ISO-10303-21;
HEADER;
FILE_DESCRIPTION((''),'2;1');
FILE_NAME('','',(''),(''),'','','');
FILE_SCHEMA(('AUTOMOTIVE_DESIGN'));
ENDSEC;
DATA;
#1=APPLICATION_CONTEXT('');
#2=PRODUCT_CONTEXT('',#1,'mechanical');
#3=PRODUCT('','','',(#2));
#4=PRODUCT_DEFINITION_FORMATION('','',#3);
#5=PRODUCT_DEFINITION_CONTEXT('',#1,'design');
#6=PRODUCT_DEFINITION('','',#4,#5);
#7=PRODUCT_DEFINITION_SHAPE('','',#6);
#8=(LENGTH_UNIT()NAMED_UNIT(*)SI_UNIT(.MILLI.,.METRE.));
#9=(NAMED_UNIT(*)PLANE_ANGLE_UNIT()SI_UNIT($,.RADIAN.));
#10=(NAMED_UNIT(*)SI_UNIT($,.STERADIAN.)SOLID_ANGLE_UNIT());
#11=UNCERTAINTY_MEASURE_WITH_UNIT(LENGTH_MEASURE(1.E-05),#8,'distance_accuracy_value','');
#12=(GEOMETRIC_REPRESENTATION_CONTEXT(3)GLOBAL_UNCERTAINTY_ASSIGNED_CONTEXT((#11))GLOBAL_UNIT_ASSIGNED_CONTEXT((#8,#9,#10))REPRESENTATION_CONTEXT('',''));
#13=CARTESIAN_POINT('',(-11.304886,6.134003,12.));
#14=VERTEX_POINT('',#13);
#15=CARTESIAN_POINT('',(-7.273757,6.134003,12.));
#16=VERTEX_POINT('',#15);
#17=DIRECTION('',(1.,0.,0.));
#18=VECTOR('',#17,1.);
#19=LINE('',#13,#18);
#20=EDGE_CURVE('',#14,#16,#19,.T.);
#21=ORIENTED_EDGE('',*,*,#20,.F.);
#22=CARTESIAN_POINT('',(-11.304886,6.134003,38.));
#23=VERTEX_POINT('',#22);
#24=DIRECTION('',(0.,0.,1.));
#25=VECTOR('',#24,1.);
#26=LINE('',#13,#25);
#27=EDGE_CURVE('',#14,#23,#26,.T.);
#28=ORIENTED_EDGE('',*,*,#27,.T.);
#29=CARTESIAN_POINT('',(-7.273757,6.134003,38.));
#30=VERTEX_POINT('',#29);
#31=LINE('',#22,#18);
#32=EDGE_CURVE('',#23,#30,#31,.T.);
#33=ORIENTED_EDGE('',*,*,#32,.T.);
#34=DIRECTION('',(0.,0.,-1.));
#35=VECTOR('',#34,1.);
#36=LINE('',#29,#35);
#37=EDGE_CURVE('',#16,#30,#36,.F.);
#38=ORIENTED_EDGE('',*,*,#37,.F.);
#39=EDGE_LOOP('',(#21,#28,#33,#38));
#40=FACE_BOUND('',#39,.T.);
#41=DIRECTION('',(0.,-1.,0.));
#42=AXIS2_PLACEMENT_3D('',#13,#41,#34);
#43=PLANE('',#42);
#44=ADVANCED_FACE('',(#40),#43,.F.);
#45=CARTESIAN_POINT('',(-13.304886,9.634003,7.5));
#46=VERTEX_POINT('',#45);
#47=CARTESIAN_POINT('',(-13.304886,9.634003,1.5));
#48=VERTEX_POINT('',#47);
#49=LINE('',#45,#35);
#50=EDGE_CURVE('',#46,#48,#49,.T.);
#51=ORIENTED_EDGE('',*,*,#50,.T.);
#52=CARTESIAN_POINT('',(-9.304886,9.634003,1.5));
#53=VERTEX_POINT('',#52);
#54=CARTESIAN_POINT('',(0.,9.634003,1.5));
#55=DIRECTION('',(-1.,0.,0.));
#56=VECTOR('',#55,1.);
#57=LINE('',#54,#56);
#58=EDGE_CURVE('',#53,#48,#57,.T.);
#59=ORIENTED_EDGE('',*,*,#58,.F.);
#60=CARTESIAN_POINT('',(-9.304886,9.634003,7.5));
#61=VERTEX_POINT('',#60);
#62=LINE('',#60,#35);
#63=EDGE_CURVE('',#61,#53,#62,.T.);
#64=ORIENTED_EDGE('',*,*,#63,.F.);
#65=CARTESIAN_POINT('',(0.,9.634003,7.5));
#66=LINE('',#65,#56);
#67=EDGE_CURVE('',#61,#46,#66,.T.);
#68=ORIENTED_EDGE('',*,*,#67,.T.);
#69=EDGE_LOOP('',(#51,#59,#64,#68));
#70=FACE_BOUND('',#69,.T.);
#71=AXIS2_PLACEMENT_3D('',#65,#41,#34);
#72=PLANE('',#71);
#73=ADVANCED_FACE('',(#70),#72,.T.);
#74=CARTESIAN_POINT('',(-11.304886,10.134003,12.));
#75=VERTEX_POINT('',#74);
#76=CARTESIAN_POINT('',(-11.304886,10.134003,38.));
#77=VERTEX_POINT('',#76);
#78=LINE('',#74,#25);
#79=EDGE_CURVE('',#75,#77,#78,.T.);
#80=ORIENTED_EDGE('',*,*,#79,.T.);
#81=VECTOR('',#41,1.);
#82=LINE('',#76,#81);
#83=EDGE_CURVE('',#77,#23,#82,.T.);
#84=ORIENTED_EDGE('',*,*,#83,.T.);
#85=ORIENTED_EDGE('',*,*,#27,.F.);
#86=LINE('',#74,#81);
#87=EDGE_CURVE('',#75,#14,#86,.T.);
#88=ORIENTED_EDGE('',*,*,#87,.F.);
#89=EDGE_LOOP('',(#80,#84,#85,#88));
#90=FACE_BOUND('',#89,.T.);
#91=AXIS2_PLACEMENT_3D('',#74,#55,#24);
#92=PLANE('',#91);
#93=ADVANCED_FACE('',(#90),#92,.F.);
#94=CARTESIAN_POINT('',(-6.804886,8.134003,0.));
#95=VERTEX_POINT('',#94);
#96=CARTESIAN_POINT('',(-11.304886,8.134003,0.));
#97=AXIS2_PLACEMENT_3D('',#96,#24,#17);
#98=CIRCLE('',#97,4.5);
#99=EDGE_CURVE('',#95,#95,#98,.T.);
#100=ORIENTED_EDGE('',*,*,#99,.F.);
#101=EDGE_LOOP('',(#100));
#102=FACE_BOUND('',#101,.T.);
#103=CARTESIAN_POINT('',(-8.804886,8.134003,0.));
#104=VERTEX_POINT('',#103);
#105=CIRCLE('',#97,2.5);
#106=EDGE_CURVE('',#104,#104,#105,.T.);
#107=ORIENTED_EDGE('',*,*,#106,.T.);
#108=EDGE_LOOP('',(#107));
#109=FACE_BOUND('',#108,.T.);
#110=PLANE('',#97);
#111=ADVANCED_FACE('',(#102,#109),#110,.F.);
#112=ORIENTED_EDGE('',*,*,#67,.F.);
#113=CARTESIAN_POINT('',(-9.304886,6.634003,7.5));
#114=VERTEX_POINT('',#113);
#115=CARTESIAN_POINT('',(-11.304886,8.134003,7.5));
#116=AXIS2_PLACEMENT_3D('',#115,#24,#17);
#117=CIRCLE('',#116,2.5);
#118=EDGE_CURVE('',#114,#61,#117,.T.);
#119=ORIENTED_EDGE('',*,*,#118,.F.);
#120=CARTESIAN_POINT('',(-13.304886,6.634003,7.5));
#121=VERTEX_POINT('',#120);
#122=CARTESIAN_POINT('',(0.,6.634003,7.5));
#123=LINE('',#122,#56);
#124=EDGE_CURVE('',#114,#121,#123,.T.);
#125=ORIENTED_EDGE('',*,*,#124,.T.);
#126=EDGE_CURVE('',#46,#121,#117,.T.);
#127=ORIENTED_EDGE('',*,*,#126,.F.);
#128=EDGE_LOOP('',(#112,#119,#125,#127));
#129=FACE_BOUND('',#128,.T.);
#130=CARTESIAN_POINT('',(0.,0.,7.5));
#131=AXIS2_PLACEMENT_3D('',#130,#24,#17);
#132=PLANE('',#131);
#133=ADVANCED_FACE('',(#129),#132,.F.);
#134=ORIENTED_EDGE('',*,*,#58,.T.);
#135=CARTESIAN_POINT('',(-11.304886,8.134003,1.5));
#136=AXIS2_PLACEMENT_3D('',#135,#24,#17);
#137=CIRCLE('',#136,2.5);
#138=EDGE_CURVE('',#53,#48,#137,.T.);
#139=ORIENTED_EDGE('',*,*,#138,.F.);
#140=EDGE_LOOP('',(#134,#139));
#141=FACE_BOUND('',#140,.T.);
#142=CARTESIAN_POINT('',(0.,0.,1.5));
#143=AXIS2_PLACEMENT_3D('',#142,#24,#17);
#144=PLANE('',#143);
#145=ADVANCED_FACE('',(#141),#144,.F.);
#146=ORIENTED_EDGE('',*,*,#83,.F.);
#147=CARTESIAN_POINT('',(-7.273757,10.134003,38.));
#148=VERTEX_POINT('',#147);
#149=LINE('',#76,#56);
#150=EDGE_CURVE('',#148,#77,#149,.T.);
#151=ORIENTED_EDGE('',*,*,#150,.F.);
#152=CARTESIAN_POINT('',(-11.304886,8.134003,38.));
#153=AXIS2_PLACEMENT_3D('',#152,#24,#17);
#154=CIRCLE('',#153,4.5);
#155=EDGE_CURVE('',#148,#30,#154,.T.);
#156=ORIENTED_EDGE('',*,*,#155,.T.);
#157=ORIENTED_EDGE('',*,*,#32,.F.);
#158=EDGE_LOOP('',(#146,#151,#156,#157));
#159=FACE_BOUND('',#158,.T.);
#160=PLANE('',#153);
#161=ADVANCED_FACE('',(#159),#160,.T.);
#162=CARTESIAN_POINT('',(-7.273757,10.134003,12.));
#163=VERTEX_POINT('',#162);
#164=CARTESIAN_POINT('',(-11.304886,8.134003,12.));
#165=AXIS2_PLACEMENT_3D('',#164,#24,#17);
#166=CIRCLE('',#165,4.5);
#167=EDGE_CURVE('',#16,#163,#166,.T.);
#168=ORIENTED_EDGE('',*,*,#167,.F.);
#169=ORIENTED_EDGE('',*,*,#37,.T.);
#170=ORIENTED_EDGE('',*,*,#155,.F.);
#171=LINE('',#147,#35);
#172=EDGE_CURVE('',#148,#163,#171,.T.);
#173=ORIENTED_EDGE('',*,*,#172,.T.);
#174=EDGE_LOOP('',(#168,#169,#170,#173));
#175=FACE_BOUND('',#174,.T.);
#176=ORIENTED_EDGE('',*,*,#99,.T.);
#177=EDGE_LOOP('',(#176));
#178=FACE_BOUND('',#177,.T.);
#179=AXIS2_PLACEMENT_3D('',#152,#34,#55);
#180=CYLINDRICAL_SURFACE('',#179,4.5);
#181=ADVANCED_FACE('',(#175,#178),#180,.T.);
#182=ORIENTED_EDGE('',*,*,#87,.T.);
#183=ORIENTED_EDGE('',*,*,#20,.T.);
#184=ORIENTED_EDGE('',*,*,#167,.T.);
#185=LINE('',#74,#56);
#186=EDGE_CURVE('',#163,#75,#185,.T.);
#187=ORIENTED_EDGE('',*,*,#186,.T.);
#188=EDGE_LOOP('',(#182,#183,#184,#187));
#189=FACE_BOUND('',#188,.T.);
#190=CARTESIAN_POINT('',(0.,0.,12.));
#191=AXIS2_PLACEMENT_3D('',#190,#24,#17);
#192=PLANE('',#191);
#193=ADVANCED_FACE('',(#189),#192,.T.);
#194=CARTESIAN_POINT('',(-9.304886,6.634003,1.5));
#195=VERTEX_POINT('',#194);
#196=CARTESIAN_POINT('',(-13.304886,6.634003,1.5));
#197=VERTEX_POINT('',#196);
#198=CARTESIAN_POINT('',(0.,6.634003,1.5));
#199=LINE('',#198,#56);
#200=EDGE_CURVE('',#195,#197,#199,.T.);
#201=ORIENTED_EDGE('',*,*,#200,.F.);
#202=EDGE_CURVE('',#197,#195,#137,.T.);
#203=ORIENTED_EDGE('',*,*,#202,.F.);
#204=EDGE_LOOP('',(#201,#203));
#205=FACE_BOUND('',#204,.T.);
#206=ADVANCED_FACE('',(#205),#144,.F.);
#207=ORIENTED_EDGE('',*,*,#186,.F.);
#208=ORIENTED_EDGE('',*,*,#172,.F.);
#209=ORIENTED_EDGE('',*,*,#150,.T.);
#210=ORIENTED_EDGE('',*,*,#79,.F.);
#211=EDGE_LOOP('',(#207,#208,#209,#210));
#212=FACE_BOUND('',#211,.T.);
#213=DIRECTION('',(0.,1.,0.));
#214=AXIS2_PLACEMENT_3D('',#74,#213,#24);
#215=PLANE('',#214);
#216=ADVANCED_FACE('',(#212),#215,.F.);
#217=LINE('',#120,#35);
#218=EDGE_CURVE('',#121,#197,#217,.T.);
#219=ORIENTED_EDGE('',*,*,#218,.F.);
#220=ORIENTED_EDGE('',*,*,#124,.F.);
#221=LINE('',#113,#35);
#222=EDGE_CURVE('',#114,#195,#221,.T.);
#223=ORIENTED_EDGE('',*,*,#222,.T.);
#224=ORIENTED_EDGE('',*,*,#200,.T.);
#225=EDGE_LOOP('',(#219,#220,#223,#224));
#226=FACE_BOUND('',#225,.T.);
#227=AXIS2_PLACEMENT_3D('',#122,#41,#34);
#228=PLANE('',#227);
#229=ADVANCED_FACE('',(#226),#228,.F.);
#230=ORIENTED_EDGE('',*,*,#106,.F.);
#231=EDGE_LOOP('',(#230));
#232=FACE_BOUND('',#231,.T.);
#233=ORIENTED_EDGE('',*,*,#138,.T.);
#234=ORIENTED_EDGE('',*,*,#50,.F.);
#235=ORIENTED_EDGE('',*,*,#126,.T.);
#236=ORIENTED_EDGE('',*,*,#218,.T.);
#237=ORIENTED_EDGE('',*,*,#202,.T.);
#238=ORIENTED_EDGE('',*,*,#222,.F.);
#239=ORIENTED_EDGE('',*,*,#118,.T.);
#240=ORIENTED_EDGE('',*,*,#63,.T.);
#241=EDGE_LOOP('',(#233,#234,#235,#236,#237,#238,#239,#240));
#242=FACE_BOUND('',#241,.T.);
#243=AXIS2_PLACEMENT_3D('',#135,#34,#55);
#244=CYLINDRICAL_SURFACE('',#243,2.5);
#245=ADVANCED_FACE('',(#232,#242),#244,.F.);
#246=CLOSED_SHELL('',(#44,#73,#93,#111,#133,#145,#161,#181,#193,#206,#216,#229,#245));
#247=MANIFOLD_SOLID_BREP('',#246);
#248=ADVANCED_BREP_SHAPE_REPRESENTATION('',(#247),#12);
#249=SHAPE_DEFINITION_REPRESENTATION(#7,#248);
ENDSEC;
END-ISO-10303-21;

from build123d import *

# Parameters (mm, degrees)
SKETCH1_R           = 4.5
BOSS_EXTRUDE3_DEPTH = 38
CUT_EXTRUDE2_DEPTH  = 1.5
CUT_EXTRUDE3_DEPTH  = 7.5
SKETCH6_W           = 7.945575041
SKETCH6_H           = 4
CUT_EXTRUDE4_DEPTH  = 26


with BuildPart() as part:
    # Sketch1 → Boss-Extrude3 (new body)
    with BuildSketch(Plane.XY):
        with Locations((-11.304886055, 8.134003381)):
            Circle(SKETCH1_R)
    extrude(amount=BOSS_EXTRUDE3_DEPTH)

    # Sketch3 → Cut-Extrude2 (cut)
    with BuildSketch(Plane.XY):
        with BuildLine():
            Line((-13.304886055, 9.634003381), (-9.304886055, 9.634003381))
            ThreePointArc((-9.304886055, 9.634003381), (-11.304886055, 10.634003381), (-13.304886055, 9.634003381))
        make_face()
        with BuildLine():
            Line((-9.304886055, 6.634003381), (-13.304886055, 6.634003381))
            ThreePointArc((-13.304886055, 6.634003381), (-11.304886055, 5.634003381), (-9.304886055, 6.634003381))
        make_face()
    extrude(amount=CUT_EXTRUDE2_DEPTH, mode=Mode.SUBTRACT)

    # Sketch3<4> → Cut-Extrude3 (cut)
    with BuildSketch(Plane.XY):
        with BuildLine():
            ThreePointArc((-8.804886055, 8.134003381), (-8.93317781, 8.924572796), (-9.304886055, 9.634003381))
            Line((-9.304886055, 9.634003381), (-13.304886055, 9.634003381))
            ThreePointArc((-13.304886055, 9.634003381), (-13.804886055, 8.134003381), (-13.304886055, 6.634003381))
            Line((-13.304886055, 6.634003381), (-9.304886055, 6.634003381))
            ThreePointArc((-9.304886055, 6.634003381), (-8.93317781, 7.343433966), (-8.804886055, 8.134003381))
        make_face()
    extrude(amount=CUT_EXTRUDE3_DEPTH, mode=Mode.SUBTRACT)

    # Sketch6 → Cut-Extrude4 (cut)
    with BuildSketch(Plane.XY.offset(38)):
        with Locations((-7.332098535, 8.134003381)):
            Rectangle(SKETCH6_W, SKETCH6_H)
    extrude(amount=-CUT_EXTRUDE4_DEPTH, mode=Mode.SUBTRACT)


solid = part.part
